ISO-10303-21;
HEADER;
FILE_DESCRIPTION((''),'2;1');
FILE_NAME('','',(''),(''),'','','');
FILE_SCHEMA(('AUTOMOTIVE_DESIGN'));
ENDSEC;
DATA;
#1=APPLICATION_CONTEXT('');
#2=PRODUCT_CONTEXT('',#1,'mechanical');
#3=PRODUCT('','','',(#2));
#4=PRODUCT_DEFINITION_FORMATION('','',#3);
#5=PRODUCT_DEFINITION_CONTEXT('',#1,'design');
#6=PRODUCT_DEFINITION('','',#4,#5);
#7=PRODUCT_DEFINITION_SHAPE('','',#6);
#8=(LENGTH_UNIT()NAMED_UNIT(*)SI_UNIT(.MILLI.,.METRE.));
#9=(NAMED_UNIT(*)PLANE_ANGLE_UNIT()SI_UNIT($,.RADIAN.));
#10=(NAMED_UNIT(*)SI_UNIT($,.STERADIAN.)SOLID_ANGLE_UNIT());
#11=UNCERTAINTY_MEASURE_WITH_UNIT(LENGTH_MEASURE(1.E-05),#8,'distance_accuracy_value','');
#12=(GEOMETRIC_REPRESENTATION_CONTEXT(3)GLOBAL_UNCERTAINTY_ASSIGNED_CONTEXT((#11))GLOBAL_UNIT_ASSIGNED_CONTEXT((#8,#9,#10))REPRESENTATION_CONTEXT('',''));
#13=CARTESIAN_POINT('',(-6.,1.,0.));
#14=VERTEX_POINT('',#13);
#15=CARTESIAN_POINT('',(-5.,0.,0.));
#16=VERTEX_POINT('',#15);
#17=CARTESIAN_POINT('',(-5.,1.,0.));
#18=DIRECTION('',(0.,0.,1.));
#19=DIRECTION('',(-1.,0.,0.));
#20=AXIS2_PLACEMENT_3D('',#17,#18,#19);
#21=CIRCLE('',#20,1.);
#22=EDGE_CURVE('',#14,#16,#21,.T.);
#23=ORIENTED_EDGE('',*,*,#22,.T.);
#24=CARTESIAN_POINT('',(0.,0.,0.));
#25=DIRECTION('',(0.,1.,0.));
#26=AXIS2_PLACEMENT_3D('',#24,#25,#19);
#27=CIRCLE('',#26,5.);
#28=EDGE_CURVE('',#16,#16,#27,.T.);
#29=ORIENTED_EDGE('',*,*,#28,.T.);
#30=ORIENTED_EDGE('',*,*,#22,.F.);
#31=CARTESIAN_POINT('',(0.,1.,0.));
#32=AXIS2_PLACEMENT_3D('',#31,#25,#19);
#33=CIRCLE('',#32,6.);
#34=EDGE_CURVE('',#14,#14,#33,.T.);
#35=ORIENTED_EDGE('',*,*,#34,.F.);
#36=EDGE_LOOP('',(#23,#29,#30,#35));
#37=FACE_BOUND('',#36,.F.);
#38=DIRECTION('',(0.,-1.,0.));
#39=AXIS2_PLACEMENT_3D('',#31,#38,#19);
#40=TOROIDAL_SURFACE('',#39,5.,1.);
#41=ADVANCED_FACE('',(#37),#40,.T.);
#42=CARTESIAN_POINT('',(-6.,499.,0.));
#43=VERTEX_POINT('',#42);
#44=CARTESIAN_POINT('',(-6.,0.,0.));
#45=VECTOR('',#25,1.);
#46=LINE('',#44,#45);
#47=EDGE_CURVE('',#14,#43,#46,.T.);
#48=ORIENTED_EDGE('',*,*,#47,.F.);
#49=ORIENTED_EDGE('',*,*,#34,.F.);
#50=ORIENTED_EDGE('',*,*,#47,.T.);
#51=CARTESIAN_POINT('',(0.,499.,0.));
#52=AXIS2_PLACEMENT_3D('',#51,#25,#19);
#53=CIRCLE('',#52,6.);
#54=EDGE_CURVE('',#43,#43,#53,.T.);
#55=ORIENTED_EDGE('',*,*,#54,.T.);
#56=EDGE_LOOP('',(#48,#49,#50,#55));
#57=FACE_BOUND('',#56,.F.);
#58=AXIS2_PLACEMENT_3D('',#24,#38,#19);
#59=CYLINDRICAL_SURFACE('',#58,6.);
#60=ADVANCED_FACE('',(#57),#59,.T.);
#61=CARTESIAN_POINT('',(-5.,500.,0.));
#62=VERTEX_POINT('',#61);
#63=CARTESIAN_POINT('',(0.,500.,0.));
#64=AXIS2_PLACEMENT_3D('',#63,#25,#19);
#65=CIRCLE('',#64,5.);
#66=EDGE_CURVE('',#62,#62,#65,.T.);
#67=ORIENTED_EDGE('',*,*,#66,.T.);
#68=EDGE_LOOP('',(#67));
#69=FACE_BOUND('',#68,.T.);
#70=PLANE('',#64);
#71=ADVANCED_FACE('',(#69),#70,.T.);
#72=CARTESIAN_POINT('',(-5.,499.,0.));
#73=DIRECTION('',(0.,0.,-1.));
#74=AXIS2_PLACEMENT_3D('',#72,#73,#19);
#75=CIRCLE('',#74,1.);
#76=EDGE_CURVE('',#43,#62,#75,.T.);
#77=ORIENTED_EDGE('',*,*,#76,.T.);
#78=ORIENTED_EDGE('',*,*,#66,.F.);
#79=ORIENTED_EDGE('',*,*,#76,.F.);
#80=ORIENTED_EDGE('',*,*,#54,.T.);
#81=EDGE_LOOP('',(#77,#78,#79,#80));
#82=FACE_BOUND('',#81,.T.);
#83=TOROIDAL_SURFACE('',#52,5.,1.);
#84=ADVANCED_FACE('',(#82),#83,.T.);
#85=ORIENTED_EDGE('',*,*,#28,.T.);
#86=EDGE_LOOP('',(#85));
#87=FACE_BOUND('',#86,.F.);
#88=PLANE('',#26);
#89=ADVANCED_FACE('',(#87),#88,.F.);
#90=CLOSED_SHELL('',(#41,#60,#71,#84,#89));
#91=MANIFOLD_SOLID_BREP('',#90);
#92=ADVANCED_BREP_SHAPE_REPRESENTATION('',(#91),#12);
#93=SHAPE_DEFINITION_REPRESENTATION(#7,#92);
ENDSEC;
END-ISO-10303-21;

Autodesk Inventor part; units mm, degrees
ref_plane "YZ Plane" through (0, 0, 0) normal (1, 0, 0) x (0, 1, 0)
ref_plane "XZ Plane" through (0, 0, 0) normal (0, 1, 0) x (-1, 0, 0)
ref_plane "XY Plane" through (0, 0, 0) normal (0, 0, 1) x (1, 0, 0)
sketch "Sketch1" plane through (0, 0, 0) normal (0, 1, 0) x (-1, 0, 0)
  circle A0 centre (0, 0) radius 6
  dimension "d0" = 12
extrude "Extrusion1" add sketch "Sketch1" along normal blind 500
fillet "Fillet1" radius 1 2 edges at (6, 0, 0) (6, 500, 0)
properties part number "poros"
